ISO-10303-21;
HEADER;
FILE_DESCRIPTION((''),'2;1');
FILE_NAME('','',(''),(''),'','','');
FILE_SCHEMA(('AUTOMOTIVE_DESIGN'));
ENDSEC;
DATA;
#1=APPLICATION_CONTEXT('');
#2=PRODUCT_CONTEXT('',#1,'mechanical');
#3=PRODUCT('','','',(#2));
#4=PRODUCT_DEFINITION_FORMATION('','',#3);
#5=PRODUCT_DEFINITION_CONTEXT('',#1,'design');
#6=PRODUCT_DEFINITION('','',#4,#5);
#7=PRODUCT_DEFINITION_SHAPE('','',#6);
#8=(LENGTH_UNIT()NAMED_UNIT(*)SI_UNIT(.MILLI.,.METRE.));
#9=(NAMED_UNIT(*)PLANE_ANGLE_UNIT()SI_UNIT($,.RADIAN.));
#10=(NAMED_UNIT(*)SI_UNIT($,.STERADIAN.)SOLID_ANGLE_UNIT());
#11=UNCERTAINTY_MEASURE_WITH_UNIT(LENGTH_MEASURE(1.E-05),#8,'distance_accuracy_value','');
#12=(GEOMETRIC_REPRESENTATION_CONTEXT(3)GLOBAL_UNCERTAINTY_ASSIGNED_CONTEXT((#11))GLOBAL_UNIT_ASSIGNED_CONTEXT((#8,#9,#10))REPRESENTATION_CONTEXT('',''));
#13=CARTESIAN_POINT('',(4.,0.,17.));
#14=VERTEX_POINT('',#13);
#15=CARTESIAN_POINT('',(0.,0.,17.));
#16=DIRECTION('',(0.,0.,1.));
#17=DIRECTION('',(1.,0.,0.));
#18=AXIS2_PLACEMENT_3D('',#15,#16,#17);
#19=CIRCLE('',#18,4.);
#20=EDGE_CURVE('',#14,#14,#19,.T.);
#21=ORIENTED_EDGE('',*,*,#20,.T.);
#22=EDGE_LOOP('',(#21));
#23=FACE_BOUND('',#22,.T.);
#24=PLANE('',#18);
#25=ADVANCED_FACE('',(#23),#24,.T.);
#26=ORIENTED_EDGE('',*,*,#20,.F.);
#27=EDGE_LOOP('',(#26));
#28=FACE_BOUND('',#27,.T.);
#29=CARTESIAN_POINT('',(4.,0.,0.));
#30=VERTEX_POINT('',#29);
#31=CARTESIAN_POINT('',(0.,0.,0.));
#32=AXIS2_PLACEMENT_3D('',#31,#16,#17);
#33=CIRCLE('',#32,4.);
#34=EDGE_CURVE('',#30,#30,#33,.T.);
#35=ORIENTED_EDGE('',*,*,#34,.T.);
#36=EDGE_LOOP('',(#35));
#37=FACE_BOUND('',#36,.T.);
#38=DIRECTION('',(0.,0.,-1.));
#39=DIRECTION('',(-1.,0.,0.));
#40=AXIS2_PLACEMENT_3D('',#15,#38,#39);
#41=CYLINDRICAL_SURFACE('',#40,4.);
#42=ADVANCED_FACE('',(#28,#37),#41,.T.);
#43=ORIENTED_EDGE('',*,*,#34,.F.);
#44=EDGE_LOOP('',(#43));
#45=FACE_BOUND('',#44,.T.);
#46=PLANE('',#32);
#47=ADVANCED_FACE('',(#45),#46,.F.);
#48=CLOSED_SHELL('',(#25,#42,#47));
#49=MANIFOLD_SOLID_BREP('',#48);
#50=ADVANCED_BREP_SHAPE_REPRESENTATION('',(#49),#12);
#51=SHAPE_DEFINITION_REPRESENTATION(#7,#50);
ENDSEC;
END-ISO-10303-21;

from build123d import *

# Parameters (mm, degrees)
ESBO_O1_R                = 4
RESSALTO_EXTRUS_O1_DEPTH = 17


with BuildPart() as part:
    # Esboço1 → Ressalto-extrusão1 (new body)
    with BuildSketch(Plane.XY):
        Circle(ESBO_O1_R)
    extrude(amount=RESSALTO_EXTRUS_O1_DEPTH)


solid = part.part
